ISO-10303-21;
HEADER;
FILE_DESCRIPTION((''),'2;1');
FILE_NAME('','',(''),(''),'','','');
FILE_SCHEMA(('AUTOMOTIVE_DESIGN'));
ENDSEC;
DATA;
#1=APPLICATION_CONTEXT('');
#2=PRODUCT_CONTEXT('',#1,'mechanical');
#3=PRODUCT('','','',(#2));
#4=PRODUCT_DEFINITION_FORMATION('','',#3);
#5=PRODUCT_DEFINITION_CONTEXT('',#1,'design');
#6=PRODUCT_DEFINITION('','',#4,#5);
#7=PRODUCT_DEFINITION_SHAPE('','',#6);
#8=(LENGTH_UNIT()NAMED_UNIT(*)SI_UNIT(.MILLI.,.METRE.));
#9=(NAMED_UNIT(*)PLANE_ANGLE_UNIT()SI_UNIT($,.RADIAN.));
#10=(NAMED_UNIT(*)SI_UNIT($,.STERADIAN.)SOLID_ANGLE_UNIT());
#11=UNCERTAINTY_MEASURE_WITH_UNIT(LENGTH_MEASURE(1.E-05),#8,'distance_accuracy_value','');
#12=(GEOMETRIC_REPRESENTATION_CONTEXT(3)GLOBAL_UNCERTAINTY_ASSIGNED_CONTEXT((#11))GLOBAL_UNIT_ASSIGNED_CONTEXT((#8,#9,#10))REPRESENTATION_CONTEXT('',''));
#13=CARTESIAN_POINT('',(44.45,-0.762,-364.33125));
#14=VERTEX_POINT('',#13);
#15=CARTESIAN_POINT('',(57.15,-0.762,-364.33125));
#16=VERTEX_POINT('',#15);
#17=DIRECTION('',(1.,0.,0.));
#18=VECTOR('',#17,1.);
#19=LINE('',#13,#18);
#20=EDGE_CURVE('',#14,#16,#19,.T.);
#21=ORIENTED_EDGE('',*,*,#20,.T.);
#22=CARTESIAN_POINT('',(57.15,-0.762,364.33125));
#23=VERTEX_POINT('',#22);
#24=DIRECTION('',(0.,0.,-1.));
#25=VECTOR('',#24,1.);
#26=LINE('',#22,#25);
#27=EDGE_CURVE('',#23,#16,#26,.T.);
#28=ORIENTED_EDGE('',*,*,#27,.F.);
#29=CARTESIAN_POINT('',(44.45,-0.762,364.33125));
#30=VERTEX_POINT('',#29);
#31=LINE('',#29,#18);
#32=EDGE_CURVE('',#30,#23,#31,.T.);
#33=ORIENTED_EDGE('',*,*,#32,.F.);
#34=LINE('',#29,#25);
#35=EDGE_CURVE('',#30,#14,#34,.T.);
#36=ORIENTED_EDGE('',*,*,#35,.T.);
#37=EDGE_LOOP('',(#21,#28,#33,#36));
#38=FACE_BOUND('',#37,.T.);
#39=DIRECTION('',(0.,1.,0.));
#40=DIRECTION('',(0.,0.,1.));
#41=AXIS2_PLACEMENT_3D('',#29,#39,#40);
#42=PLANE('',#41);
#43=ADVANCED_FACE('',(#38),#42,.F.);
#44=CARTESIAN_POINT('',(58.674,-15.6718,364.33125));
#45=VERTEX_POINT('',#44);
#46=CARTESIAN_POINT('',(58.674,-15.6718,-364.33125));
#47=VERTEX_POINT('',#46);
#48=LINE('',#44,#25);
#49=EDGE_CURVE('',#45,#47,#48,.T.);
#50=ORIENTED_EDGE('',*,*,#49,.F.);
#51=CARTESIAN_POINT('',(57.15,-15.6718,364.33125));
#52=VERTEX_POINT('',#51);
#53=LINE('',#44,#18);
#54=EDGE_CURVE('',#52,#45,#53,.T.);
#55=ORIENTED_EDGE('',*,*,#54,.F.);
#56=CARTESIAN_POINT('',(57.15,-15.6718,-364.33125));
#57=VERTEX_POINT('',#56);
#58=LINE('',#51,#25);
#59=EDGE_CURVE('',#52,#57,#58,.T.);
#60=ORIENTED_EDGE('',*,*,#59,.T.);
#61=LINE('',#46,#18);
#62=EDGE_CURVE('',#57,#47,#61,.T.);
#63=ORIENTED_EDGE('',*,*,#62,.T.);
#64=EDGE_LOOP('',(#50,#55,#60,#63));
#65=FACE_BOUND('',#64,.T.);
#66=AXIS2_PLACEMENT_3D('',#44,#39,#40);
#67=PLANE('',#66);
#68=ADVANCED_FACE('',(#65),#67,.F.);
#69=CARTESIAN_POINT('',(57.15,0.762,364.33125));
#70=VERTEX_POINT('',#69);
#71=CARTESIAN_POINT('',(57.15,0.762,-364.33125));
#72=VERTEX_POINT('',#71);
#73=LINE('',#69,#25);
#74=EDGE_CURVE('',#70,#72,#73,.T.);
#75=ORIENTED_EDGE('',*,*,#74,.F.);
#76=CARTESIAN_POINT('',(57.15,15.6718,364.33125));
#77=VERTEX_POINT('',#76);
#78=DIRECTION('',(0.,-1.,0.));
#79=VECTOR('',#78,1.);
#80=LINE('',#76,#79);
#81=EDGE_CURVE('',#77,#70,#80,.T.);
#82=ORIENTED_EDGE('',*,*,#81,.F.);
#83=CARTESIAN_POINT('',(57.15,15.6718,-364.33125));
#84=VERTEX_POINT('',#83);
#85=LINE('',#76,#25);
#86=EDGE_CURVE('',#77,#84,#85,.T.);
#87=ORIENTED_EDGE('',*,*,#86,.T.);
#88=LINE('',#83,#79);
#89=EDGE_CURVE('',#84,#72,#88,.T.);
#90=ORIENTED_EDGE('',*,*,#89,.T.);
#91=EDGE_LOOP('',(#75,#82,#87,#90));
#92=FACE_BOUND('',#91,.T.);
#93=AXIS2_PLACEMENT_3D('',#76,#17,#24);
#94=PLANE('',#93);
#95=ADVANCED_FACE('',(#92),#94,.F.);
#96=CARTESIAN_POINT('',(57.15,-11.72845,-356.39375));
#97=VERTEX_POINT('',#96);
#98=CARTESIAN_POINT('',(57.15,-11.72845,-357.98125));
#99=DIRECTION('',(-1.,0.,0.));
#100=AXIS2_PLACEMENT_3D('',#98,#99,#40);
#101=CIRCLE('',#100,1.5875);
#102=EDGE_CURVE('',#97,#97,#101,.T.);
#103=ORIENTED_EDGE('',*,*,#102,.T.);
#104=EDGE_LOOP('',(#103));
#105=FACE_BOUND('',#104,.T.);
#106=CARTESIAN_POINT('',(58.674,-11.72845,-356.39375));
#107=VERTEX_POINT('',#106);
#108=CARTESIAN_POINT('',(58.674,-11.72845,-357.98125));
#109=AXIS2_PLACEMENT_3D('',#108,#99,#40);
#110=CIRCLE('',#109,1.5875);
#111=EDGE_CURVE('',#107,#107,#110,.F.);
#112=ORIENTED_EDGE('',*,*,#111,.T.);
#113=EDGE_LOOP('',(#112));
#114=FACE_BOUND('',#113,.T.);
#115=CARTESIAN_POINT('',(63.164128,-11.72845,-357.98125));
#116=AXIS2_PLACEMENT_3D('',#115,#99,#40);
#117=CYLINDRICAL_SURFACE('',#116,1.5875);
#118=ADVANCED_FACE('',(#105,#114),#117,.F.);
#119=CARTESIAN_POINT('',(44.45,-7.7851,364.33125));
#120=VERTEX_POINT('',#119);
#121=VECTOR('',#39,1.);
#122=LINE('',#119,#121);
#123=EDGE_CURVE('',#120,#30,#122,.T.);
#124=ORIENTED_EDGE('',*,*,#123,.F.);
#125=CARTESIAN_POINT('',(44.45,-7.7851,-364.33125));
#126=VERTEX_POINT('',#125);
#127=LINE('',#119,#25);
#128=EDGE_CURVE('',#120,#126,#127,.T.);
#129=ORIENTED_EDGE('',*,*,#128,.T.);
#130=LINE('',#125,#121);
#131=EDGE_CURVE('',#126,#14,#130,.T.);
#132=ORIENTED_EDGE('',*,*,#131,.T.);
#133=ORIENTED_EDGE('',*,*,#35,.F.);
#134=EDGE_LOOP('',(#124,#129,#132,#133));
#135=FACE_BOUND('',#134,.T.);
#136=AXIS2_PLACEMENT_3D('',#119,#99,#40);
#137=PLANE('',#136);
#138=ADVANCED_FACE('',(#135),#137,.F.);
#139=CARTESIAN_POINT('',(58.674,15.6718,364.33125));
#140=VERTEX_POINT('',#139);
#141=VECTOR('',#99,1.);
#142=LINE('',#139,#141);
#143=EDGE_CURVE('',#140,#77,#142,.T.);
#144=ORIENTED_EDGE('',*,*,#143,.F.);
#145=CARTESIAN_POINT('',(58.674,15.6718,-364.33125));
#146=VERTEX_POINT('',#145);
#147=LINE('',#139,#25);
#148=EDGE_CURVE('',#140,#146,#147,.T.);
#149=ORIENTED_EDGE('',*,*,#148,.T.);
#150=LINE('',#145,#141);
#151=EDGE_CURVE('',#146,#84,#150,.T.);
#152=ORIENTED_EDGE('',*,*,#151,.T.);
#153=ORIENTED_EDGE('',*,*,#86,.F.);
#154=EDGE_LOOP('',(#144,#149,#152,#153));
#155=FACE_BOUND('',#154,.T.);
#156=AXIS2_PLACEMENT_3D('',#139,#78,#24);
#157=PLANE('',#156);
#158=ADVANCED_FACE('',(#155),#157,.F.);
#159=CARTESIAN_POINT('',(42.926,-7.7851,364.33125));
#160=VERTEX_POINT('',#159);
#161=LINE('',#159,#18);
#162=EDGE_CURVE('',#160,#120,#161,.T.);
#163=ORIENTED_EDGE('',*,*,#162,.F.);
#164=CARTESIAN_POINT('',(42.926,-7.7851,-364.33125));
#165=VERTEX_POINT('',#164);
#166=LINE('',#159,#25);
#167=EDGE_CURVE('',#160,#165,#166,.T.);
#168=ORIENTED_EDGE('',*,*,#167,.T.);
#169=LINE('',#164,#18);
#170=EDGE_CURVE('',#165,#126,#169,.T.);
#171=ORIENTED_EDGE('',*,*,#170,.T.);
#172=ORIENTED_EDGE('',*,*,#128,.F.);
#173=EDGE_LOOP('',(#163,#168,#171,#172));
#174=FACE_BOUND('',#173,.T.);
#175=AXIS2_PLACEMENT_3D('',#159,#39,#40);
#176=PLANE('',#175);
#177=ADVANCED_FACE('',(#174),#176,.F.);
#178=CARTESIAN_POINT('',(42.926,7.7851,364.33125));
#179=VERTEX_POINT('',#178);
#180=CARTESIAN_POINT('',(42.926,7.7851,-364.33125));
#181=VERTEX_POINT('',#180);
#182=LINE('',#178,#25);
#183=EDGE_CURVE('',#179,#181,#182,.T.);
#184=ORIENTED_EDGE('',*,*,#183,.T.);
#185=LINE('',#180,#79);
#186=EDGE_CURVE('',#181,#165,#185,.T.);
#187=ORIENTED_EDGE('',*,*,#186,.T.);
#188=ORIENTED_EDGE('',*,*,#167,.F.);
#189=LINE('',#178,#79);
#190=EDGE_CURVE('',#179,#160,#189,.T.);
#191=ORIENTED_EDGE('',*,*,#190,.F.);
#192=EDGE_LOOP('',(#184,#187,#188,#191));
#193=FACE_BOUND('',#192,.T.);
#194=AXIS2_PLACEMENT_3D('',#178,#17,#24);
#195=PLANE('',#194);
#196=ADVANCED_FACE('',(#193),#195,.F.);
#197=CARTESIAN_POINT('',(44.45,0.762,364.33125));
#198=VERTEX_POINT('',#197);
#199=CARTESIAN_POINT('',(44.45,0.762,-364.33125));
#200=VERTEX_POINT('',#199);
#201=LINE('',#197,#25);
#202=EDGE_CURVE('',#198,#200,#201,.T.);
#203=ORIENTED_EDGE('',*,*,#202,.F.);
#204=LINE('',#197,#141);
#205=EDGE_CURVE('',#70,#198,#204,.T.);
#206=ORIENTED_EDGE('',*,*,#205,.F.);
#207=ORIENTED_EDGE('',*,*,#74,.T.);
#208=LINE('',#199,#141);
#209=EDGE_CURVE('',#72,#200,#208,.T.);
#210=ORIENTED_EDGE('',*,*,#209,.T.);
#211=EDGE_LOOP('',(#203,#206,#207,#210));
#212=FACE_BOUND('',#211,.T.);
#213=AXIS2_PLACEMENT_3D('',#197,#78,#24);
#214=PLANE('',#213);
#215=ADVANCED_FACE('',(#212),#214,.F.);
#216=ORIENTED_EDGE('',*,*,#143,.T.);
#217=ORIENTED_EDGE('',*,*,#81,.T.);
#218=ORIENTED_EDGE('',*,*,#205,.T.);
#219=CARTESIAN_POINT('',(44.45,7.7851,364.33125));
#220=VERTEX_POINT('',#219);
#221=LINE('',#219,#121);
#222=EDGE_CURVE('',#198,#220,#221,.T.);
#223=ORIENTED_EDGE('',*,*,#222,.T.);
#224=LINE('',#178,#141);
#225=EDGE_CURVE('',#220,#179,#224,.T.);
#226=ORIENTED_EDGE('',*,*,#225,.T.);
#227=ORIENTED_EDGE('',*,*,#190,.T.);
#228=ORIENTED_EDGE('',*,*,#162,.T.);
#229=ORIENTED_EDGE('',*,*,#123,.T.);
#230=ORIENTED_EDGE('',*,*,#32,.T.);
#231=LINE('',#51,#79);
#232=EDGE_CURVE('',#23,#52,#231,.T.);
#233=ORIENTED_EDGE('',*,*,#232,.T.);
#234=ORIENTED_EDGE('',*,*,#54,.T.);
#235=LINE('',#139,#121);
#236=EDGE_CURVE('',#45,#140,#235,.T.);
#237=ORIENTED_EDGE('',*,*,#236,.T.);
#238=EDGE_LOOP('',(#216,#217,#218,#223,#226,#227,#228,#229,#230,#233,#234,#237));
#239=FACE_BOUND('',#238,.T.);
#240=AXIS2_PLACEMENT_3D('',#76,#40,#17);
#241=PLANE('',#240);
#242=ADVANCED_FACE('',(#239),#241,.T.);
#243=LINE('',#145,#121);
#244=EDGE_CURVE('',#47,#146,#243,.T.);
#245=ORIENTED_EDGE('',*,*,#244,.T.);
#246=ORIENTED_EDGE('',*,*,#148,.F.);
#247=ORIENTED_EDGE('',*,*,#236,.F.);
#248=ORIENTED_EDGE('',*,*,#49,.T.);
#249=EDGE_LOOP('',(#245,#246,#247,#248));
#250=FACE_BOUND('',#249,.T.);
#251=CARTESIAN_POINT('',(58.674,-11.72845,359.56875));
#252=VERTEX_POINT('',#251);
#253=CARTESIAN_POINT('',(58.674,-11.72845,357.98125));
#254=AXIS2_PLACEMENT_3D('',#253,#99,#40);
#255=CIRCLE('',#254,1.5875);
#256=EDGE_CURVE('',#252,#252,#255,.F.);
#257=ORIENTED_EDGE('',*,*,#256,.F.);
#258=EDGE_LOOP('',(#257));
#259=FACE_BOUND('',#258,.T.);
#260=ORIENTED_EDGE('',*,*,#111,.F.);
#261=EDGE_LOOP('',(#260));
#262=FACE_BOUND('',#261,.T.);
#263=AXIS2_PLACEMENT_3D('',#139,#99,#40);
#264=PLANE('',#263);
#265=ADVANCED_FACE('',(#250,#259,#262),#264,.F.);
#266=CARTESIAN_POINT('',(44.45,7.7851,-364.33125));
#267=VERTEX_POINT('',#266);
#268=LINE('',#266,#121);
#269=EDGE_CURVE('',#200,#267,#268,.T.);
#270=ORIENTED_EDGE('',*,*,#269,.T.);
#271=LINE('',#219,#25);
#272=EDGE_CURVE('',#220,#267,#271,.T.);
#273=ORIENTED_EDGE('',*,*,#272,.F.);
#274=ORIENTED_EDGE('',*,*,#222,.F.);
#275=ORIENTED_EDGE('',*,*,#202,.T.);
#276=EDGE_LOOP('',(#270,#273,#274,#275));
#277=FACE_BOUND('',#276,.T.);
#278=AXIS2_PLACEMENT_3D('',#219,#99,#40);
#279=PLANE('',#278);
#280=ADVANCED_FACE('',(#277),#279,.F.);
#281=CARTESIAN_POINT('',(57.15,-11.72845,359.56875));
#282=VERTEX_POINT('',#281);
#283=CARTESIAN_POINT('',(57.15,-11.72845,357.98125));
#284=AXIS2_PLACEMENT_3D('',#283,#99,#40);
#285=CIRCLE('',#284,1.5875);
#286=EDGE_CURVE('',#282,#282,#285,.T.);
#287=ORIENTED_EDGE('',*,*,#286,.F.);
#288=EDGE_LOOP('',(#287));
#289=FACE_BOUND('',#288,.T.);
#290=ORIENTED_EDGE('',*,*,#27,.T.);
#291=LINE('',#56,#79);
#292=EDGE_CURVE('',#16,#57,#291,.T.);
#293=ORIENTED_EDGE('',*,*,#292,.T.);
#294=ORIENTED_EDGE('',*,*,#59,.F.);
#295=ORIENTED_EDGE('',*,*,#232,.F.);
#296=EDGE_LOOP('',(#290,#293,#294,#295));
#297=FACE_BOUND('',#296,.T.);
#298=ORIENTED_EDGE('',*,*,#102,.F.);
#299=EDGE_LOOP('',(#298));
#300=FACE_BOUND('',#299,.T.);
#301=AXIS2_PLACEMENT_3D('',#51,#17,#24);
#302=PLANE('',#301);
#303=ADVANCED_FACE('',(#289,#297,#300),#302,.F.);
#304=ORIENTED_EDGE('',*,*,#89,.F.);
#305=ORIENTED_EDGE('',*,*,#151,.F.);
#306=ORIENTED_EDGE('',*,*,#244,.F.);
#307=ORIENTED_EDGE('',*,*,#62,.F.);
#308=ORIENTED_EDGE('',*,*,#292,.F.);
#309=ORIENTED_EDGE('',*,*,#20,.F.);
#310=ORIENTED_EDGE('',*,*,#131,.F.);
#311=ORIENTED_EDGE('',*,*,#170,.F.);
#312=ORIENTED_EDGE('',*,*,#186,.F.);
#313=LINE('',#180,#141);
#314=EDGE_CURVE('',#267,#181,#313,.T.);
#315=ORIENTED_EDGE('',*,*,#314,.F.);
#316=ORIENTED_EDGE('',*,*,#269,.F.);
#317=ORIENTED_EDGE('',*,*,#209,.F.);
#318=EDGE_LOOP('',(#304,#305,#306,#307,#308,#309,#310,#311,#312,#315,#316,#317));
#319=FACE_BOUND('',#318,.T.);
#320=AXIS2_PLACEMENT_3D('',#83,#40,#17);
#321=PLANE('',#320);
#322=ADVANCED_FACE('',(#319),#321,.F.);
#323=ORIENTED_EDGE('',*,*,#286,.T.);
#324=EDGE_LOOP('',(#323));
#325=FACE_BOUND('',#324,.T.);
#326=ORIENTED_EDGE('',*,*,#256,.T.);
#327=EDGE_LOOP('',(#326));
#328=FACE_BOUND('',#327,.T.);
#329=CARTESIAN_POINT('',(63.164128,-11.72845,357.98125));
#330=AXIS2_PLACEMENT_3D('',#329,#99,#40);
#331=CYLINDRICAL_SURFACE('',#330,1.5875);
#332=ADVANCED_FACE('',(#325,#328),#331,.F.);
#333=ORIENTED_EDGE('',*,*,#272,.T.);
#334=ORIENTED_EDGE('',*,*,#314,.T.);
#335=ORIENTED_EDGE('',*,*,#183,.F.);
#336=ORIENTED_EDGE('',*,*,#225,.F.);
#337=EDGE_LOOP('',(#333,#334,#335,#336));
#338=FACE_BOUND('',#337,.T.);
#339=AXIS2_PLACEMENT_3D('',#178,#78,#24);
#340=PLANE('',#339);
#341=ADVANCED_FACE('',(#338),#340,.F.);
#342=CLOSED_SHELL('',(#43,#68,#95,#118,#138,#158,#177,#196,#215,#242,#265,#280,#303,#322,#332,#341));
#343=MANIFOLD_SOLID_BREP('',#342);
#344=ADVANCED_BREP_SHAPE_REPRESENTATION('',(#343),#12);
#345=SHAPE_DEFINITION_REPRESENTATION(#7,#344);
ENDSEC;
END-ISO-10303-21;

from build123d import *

# Parameters (mm, degrees)
EXTRUDE1_DEPTH     = 364.33125
SKETCH2_R          = 1.5875
CUT_EXTRUDE1_DEPTH = 1.524


with BuildPart() as part:
    # Sketch1 → Extrude1 (new body, symmetric)
    with BuildSketch(Plane.XY):
        Polygon((58.674, 15.6718), (58.674, -15.6718), (57.15, -15.6718), (57.15, -0.762), (44.45, -0.762), (44.45, -7.7851), (42.926, -7.7851), (42.926, 7.7851), (44.45, 7.7851), (44.45, 0.762), (57.15, 0.762), (57.15, 15.6718), align=None)
    extrude(amount=EXTRUDE1_DEPTH, both=True)

    # Sketch2 → Cut-Extrude1 (cut)
    with BuildSketch(Plane.ZY.offset(-57.15)):
        with Locations((357.98125, -11.72845)):
            Circle(SKETCH2_R)
        with Locations((-357.98125, -11.72845)):
            Circle(SKETCH2_R)
    extrude(amount=-CUT_EXTRUDE1_DEPTH, mode=Mode.SUBTRACT)


solid = part.part
